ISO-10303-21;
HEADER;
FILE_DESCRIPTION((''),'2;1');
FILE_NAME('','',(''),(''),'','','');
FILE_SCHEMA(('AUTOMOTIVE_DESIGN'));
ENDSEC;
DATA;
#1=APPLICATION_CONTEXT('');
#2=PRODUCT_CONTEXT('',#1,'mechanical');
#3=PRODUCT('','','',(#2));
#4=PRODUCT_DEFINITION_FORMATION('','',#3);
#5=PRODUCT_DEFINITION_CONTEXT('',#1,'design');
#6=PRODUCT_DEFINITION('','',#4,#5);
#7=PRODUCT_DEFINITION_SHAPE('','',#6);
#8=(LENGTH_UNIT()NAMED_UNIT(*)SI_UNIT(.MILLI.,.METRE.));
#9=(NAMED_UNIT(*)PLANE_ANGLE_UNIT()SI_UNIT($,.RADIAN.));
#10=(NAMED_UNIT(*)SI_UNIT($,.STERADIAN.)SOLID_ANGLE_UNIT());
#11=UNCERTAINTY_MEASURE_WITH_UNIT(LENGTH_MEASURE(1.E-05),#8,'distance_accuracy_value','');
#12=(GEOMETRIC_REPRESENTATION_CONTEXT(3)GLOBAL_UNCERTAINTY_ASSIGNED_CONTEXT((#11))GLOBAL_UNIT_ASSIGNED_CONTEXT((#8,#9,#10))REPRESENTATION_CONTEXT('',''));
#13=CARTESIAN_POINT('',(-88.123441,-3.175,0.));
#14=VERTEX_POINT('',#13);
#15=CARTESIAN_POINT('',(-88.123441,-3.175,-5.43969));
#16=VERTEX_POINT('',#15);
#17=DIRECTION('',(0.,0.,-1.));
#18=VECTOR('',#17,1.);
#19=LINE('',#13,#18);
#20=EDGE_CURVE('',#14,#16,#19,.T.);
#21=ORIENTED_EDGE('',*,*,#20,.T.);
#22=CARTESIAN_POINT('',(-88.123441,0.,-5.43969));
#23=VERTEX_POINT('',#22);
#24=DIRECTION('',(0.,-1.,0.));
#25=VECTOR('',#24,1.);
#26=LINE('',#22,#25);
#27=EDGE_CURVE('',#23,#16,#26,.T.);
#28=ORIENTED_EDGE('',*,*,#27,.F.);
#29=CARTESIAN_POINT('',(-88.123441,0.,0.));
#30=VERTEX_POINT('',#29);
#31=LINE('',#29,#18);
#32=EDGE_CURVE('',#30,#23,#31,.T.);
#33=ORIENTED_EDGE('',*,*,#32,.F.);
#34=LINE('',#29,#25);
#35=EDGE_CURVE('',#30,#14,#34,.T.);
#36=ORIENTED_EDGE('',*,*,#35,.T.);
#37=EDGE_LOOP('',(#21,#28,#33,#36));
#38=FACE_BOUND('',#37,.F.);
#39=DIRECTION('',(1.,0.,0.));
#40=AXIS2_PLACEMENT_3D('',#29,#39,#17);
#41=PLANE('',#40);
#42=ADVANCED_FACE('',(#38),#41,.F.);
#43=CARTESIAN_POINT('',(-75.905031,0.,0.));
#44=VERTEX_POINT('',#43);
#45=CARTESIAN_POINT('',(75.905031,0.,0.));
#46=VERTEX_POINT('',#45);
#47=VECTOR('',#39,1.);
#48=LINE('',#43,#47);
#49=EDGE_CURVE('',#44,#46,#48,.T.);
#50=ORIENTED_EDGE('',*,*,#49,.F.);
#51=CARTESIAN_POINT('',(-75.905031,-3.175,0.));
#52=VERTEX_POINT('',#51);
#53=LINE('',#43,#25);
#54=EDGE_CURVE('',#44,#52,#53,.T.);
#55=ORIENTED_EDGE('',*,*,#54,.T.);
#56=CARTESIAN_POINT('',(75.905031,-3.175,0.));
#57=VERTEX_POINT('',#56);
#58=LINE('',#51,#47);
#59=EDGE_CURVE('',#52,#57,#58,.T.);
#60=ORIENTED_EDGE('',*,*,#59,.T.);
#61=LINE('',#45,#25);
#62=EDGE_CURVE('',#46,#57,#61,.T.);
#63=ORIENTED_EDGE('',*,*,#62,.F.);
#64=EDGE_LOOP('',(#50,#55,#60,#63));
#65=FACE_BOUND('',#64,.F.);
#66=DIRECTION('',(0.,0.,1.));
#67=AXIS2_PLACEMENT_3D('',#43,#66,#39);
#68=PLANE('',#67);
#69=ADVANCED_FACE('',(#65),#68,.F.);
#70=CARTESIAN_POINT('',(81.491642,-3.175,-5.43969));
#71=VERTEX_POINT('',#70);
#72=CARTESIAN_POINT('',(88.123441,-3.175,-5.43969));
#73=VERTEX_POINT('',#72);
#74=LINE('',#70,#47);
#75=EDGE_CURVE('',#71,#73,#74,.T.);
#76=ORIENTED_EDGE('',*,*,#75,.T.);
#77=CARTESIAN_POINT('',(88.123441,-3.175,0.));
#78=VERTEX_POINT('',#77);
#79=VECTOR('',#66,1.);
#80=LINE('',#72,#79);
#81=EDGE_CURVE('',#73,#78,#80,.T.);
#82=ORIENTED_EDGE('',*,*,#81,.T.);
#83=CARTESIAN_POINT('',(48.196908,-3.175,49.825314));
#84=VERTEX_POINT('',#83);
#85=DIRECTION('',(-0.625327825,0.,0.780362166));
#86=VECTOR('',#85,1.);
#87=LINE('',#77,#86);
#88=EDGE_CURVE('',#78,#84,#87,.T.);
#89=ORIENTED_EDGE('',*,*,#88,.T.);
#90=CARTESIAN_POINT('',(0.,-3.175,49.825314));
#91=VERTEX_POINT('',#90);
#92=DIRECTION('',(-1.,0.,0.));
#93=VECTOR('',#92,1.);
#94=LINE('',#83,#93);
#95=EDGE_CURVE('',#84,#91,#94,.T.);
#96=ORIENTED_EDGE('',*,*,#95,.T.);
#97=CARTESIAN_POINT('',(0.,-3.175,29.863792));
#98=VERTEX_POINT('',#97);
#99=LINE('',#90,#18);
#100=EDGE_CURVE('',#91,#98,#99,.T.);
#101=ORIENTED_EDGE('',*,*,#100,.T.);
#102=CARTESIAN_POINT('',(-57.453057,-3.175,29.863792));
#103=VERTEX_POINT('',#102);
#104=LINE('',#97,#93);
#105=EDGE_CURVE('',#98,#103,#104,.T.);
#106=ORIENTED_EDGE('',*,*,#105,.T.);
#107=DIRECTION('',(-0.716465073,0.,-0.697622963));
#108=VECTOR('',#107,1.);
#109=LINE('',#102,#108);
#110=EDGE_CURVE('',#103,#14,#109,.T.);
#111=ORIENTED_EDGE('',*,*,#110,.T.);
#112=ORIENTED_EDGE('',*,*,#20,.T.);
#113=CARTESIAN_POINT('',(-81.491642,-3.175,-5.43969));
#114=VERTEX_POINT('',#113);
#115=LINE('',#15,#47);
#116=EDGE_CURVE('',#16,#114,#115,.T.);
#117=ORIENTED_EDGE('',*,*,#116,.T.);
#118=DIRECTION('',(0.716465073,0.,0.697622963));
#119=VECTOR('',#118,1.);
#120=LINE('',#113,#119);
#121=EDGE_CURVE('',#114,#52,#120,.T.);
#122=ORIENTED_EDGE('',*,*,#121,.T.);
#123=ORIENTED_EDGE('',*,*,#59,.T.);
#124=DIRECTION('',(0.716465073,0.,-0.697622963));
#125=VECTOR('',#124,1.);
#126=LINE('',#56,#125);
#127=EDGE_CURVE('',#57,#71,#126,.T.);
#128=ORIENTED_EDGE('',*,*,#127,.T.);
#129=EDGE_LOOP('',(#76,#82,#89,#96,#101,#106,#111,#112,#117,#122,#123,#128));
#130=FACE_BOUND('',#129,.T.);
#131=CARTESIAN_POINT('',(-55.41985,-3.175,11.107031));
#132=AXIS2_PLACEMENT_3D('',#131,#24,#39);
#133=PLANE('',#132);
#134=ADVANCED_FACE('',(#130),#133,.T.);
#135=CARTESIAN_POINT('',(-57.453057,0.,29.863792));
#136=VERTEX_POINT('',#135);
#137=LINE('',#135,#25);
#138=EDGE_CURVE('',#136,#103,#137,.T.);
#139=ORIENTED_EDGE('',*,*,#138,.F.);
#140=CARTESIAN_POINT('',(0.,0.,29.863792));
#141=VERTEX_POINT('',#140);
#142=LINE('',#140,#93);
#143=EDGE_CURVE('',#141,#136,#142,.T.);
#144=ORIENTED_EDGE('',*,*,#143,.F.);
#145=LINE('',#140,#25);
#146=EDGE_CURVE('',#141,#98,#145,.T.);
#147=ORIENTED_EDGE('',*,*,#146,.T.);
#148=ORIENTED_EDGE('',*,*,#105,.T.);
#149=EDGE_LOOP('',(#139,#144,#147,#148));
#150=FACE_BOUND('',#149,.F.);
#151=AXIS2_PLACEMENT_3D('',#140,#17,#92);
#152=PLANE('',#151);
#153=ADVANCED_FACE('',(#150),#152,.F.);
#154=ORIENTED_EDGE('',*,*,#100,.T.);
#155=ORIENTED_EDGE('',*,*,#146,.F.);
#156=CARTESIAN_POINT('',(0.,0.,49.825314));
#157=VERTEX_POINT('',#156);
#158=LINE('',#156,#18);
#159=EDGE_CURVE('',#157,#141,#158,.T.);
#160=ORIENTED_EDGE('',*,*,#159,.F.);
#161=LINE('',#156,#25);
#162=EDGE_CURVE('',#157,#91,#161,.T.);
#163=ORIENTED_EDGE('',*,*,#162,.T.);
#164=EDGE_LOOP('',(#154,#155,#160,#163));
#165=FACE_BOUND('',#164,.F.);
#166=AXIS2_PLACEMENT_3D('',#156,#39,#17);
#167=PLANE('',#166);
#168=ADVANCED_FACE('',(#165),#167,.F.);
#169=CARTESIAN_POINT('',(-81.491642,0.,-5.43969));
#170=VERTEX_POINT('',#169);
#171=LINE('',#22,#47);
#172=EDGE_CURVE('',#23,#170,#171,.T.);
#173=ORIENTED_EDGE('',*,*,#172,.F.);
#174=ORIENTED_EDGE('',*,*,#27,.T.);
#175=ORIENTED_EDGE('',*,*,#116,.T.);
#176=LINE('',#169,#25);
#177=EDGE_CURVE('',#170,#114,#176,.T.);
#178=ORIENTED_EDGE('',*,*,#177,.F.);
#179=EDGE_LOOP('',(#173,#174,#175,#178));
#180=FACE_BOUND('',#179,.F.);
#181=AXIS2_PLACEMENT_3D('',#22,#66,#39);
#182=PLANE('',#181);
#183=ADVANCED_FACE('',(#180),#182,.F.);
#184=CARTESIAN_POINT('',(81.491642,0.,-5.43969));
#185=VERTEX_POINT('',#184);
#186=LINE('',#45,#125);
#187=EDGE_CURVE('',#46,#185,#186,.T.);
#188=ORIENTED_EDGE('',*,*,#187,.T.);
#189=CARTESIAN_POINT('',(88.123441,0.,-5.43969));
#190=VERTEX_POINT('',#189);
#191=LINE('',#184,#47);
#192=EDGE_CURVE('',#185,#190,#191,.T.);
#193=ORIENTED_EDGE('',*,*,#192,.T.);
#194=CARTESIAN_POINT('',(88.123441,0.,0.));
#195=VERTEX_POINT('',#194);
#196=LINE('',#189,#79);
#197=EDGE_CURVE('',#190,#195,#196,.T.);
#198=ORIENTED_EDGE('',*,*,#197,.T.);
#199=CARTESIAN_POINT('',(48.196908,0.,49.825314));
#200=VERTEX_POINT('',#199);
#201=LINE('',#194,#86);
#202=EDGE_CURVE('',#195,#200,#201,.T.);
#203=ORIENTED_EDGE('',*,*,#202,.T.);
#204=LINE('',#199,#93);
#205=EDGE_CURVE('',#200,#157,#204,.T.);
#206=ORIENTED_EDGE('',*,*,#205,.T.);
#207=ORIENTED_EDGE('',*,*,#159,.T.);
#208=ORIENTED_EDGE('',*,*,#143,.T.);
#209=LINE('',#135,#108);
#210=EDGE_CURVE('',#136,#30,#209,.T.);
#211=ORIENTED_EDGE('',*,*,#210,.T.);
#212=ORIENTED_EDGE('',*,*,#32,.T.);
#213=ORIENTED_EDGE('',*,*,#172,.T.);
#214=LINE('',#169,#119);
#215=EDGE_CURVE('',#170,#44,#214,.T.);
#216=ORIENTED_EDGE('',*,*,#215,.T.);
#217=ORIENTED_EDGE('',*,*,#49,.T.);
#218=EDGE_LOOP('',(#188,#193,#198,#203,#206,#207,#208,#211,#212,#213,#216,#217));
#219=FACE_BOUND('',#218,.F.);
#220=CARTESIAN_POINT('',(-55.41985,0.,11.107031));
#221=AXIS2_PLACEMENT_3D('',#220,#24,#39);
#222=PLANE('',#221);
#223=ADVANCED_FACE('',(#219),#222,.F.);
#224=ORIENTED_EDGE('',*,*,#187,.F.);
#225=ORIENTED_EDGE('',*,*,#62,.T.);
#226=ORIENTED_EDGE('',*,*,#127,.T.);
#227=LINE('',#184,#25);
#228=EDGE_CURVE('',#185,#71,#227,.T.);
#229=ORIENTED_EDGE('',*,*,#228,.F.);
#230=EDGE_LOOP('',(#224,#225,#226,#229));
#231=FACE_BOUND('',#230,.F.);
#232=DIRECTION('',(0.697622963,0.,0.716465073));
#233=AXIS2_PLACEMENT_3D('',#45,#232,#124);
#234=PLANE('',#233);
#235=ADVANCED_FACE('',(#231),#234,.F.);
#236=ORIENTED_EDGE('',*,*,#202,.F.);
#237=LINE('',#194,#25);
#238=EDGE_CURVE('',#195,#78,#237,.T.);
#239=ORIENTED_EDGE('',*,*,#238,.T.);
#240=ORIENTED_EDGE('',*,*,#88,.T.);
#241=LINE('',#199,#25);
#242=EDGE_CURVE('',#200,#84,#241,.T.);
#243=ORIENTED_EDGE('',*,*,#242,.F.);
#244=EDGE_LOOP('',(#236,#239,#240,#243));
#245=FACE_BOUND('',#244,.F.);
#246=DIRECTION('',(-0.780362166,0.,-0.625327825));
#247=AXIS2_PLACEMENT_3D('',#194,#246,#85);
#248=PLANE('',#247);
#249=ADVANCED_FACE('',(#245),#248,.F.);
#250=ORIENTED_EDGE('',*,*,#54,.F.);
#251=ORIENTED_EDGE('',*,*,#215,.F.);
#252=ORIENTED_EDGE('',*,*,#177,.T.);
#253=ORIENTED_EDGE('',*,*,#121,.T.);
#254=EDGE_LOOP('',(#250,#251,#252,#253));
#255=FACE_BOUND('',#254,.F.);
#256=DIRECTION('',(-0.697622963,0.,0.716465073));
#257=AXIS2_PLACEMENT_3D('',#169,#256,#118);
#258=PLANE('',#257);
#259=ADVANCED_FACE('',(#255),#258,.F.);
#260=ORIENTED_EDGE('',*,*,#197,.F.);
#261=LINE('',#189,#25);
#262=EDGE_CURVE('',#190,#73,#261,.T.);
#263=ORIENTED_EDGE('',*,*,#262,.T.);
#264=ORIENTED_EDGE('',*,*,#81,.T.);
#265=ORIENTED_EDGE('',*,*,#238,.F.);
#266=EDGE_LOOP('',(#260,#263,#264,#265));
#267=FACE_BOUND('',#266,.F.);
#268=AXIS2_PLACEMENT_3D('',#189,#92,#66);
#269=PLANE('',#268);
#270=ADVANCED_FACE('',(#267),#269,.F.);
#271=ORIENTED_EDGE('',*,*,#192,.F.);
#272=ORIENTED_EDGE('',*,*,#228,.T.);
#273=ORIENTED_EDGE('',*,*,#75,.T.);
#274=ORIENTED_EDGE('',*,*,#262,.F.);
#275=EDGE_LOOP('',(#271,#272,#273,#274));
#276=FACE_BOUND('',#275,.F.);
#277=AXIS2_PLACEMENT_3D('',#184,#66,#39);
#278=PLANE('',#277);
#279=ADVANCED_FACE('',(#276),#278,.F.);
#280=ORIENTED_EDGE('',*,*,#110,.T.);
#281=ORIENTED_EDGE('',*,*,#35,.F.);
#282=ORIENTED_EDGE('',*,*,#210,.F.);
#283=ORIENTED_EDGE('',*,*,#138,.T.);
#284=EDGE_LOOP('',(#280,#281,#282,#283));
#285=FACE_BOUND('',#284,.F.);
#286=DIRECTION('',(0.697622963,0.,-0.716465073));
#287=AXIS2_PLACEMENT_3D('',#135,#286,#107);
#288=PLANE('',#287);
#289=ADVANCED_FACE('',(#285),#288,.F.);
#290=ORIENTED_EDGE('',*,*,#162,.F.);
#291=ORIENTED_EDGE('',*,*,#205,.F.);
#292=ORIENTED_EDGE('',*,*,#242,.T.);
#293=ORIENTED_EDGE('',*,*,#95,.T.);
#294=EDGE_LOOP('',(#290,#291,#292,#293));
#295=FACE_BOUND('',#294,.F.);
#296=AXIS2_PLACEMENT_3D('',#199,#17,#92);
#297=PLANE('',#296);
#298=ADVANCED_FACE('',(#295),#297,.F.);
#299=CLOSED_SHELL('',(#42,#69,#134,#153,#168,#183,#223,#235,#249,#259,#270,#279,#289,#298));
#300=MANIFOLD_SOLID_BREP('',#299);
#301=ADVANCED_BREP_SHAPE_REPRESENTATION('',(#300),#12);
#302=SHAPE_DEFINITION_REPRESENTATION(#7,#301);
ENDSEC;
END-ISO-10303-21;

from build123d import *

# Parameters (mm, degrees)
F0_W     = 28.7265287175
F0_H     = 29.8637916752
F1_DEPTH = 3.175


with BuildPart() as f1:
    # F0 (on Front) → F1 (new body)
    with BuildSketch(Plane.XZ):
        Polygon((-81.4916417003, -5.4396898486), (-75.9050311806, 0), (-28.7265287175, 0), (-28.7265287175, 29.8637916752), (-57.4530574351, 29.8637916752), (-88.1234407425, 0), (-88.1234407425, -5.4396898486), align=None)
        with Locations((-14.3632643588, 14.9318958376)):
            Rectangle(F0_W, F0_H)
        Polygon((0, 29.8637916752), (0, 0), (24.0984540433, 0), (24.0984540433, 49.8253144324), (0, 49.8253144324), align=None)
        Polygon((24.0984540433, 49.8253144324), (24.0984540433, 0), (75.9050311806, 0), (81.4916417003, -5.4396898486), (88.1234407425, -5.4396898486), (88.1234407425, 0), (48.1969080865, 49.8253144324), align=None)
    extrude(amount=F1_DEPTH)


solid = f1.part
